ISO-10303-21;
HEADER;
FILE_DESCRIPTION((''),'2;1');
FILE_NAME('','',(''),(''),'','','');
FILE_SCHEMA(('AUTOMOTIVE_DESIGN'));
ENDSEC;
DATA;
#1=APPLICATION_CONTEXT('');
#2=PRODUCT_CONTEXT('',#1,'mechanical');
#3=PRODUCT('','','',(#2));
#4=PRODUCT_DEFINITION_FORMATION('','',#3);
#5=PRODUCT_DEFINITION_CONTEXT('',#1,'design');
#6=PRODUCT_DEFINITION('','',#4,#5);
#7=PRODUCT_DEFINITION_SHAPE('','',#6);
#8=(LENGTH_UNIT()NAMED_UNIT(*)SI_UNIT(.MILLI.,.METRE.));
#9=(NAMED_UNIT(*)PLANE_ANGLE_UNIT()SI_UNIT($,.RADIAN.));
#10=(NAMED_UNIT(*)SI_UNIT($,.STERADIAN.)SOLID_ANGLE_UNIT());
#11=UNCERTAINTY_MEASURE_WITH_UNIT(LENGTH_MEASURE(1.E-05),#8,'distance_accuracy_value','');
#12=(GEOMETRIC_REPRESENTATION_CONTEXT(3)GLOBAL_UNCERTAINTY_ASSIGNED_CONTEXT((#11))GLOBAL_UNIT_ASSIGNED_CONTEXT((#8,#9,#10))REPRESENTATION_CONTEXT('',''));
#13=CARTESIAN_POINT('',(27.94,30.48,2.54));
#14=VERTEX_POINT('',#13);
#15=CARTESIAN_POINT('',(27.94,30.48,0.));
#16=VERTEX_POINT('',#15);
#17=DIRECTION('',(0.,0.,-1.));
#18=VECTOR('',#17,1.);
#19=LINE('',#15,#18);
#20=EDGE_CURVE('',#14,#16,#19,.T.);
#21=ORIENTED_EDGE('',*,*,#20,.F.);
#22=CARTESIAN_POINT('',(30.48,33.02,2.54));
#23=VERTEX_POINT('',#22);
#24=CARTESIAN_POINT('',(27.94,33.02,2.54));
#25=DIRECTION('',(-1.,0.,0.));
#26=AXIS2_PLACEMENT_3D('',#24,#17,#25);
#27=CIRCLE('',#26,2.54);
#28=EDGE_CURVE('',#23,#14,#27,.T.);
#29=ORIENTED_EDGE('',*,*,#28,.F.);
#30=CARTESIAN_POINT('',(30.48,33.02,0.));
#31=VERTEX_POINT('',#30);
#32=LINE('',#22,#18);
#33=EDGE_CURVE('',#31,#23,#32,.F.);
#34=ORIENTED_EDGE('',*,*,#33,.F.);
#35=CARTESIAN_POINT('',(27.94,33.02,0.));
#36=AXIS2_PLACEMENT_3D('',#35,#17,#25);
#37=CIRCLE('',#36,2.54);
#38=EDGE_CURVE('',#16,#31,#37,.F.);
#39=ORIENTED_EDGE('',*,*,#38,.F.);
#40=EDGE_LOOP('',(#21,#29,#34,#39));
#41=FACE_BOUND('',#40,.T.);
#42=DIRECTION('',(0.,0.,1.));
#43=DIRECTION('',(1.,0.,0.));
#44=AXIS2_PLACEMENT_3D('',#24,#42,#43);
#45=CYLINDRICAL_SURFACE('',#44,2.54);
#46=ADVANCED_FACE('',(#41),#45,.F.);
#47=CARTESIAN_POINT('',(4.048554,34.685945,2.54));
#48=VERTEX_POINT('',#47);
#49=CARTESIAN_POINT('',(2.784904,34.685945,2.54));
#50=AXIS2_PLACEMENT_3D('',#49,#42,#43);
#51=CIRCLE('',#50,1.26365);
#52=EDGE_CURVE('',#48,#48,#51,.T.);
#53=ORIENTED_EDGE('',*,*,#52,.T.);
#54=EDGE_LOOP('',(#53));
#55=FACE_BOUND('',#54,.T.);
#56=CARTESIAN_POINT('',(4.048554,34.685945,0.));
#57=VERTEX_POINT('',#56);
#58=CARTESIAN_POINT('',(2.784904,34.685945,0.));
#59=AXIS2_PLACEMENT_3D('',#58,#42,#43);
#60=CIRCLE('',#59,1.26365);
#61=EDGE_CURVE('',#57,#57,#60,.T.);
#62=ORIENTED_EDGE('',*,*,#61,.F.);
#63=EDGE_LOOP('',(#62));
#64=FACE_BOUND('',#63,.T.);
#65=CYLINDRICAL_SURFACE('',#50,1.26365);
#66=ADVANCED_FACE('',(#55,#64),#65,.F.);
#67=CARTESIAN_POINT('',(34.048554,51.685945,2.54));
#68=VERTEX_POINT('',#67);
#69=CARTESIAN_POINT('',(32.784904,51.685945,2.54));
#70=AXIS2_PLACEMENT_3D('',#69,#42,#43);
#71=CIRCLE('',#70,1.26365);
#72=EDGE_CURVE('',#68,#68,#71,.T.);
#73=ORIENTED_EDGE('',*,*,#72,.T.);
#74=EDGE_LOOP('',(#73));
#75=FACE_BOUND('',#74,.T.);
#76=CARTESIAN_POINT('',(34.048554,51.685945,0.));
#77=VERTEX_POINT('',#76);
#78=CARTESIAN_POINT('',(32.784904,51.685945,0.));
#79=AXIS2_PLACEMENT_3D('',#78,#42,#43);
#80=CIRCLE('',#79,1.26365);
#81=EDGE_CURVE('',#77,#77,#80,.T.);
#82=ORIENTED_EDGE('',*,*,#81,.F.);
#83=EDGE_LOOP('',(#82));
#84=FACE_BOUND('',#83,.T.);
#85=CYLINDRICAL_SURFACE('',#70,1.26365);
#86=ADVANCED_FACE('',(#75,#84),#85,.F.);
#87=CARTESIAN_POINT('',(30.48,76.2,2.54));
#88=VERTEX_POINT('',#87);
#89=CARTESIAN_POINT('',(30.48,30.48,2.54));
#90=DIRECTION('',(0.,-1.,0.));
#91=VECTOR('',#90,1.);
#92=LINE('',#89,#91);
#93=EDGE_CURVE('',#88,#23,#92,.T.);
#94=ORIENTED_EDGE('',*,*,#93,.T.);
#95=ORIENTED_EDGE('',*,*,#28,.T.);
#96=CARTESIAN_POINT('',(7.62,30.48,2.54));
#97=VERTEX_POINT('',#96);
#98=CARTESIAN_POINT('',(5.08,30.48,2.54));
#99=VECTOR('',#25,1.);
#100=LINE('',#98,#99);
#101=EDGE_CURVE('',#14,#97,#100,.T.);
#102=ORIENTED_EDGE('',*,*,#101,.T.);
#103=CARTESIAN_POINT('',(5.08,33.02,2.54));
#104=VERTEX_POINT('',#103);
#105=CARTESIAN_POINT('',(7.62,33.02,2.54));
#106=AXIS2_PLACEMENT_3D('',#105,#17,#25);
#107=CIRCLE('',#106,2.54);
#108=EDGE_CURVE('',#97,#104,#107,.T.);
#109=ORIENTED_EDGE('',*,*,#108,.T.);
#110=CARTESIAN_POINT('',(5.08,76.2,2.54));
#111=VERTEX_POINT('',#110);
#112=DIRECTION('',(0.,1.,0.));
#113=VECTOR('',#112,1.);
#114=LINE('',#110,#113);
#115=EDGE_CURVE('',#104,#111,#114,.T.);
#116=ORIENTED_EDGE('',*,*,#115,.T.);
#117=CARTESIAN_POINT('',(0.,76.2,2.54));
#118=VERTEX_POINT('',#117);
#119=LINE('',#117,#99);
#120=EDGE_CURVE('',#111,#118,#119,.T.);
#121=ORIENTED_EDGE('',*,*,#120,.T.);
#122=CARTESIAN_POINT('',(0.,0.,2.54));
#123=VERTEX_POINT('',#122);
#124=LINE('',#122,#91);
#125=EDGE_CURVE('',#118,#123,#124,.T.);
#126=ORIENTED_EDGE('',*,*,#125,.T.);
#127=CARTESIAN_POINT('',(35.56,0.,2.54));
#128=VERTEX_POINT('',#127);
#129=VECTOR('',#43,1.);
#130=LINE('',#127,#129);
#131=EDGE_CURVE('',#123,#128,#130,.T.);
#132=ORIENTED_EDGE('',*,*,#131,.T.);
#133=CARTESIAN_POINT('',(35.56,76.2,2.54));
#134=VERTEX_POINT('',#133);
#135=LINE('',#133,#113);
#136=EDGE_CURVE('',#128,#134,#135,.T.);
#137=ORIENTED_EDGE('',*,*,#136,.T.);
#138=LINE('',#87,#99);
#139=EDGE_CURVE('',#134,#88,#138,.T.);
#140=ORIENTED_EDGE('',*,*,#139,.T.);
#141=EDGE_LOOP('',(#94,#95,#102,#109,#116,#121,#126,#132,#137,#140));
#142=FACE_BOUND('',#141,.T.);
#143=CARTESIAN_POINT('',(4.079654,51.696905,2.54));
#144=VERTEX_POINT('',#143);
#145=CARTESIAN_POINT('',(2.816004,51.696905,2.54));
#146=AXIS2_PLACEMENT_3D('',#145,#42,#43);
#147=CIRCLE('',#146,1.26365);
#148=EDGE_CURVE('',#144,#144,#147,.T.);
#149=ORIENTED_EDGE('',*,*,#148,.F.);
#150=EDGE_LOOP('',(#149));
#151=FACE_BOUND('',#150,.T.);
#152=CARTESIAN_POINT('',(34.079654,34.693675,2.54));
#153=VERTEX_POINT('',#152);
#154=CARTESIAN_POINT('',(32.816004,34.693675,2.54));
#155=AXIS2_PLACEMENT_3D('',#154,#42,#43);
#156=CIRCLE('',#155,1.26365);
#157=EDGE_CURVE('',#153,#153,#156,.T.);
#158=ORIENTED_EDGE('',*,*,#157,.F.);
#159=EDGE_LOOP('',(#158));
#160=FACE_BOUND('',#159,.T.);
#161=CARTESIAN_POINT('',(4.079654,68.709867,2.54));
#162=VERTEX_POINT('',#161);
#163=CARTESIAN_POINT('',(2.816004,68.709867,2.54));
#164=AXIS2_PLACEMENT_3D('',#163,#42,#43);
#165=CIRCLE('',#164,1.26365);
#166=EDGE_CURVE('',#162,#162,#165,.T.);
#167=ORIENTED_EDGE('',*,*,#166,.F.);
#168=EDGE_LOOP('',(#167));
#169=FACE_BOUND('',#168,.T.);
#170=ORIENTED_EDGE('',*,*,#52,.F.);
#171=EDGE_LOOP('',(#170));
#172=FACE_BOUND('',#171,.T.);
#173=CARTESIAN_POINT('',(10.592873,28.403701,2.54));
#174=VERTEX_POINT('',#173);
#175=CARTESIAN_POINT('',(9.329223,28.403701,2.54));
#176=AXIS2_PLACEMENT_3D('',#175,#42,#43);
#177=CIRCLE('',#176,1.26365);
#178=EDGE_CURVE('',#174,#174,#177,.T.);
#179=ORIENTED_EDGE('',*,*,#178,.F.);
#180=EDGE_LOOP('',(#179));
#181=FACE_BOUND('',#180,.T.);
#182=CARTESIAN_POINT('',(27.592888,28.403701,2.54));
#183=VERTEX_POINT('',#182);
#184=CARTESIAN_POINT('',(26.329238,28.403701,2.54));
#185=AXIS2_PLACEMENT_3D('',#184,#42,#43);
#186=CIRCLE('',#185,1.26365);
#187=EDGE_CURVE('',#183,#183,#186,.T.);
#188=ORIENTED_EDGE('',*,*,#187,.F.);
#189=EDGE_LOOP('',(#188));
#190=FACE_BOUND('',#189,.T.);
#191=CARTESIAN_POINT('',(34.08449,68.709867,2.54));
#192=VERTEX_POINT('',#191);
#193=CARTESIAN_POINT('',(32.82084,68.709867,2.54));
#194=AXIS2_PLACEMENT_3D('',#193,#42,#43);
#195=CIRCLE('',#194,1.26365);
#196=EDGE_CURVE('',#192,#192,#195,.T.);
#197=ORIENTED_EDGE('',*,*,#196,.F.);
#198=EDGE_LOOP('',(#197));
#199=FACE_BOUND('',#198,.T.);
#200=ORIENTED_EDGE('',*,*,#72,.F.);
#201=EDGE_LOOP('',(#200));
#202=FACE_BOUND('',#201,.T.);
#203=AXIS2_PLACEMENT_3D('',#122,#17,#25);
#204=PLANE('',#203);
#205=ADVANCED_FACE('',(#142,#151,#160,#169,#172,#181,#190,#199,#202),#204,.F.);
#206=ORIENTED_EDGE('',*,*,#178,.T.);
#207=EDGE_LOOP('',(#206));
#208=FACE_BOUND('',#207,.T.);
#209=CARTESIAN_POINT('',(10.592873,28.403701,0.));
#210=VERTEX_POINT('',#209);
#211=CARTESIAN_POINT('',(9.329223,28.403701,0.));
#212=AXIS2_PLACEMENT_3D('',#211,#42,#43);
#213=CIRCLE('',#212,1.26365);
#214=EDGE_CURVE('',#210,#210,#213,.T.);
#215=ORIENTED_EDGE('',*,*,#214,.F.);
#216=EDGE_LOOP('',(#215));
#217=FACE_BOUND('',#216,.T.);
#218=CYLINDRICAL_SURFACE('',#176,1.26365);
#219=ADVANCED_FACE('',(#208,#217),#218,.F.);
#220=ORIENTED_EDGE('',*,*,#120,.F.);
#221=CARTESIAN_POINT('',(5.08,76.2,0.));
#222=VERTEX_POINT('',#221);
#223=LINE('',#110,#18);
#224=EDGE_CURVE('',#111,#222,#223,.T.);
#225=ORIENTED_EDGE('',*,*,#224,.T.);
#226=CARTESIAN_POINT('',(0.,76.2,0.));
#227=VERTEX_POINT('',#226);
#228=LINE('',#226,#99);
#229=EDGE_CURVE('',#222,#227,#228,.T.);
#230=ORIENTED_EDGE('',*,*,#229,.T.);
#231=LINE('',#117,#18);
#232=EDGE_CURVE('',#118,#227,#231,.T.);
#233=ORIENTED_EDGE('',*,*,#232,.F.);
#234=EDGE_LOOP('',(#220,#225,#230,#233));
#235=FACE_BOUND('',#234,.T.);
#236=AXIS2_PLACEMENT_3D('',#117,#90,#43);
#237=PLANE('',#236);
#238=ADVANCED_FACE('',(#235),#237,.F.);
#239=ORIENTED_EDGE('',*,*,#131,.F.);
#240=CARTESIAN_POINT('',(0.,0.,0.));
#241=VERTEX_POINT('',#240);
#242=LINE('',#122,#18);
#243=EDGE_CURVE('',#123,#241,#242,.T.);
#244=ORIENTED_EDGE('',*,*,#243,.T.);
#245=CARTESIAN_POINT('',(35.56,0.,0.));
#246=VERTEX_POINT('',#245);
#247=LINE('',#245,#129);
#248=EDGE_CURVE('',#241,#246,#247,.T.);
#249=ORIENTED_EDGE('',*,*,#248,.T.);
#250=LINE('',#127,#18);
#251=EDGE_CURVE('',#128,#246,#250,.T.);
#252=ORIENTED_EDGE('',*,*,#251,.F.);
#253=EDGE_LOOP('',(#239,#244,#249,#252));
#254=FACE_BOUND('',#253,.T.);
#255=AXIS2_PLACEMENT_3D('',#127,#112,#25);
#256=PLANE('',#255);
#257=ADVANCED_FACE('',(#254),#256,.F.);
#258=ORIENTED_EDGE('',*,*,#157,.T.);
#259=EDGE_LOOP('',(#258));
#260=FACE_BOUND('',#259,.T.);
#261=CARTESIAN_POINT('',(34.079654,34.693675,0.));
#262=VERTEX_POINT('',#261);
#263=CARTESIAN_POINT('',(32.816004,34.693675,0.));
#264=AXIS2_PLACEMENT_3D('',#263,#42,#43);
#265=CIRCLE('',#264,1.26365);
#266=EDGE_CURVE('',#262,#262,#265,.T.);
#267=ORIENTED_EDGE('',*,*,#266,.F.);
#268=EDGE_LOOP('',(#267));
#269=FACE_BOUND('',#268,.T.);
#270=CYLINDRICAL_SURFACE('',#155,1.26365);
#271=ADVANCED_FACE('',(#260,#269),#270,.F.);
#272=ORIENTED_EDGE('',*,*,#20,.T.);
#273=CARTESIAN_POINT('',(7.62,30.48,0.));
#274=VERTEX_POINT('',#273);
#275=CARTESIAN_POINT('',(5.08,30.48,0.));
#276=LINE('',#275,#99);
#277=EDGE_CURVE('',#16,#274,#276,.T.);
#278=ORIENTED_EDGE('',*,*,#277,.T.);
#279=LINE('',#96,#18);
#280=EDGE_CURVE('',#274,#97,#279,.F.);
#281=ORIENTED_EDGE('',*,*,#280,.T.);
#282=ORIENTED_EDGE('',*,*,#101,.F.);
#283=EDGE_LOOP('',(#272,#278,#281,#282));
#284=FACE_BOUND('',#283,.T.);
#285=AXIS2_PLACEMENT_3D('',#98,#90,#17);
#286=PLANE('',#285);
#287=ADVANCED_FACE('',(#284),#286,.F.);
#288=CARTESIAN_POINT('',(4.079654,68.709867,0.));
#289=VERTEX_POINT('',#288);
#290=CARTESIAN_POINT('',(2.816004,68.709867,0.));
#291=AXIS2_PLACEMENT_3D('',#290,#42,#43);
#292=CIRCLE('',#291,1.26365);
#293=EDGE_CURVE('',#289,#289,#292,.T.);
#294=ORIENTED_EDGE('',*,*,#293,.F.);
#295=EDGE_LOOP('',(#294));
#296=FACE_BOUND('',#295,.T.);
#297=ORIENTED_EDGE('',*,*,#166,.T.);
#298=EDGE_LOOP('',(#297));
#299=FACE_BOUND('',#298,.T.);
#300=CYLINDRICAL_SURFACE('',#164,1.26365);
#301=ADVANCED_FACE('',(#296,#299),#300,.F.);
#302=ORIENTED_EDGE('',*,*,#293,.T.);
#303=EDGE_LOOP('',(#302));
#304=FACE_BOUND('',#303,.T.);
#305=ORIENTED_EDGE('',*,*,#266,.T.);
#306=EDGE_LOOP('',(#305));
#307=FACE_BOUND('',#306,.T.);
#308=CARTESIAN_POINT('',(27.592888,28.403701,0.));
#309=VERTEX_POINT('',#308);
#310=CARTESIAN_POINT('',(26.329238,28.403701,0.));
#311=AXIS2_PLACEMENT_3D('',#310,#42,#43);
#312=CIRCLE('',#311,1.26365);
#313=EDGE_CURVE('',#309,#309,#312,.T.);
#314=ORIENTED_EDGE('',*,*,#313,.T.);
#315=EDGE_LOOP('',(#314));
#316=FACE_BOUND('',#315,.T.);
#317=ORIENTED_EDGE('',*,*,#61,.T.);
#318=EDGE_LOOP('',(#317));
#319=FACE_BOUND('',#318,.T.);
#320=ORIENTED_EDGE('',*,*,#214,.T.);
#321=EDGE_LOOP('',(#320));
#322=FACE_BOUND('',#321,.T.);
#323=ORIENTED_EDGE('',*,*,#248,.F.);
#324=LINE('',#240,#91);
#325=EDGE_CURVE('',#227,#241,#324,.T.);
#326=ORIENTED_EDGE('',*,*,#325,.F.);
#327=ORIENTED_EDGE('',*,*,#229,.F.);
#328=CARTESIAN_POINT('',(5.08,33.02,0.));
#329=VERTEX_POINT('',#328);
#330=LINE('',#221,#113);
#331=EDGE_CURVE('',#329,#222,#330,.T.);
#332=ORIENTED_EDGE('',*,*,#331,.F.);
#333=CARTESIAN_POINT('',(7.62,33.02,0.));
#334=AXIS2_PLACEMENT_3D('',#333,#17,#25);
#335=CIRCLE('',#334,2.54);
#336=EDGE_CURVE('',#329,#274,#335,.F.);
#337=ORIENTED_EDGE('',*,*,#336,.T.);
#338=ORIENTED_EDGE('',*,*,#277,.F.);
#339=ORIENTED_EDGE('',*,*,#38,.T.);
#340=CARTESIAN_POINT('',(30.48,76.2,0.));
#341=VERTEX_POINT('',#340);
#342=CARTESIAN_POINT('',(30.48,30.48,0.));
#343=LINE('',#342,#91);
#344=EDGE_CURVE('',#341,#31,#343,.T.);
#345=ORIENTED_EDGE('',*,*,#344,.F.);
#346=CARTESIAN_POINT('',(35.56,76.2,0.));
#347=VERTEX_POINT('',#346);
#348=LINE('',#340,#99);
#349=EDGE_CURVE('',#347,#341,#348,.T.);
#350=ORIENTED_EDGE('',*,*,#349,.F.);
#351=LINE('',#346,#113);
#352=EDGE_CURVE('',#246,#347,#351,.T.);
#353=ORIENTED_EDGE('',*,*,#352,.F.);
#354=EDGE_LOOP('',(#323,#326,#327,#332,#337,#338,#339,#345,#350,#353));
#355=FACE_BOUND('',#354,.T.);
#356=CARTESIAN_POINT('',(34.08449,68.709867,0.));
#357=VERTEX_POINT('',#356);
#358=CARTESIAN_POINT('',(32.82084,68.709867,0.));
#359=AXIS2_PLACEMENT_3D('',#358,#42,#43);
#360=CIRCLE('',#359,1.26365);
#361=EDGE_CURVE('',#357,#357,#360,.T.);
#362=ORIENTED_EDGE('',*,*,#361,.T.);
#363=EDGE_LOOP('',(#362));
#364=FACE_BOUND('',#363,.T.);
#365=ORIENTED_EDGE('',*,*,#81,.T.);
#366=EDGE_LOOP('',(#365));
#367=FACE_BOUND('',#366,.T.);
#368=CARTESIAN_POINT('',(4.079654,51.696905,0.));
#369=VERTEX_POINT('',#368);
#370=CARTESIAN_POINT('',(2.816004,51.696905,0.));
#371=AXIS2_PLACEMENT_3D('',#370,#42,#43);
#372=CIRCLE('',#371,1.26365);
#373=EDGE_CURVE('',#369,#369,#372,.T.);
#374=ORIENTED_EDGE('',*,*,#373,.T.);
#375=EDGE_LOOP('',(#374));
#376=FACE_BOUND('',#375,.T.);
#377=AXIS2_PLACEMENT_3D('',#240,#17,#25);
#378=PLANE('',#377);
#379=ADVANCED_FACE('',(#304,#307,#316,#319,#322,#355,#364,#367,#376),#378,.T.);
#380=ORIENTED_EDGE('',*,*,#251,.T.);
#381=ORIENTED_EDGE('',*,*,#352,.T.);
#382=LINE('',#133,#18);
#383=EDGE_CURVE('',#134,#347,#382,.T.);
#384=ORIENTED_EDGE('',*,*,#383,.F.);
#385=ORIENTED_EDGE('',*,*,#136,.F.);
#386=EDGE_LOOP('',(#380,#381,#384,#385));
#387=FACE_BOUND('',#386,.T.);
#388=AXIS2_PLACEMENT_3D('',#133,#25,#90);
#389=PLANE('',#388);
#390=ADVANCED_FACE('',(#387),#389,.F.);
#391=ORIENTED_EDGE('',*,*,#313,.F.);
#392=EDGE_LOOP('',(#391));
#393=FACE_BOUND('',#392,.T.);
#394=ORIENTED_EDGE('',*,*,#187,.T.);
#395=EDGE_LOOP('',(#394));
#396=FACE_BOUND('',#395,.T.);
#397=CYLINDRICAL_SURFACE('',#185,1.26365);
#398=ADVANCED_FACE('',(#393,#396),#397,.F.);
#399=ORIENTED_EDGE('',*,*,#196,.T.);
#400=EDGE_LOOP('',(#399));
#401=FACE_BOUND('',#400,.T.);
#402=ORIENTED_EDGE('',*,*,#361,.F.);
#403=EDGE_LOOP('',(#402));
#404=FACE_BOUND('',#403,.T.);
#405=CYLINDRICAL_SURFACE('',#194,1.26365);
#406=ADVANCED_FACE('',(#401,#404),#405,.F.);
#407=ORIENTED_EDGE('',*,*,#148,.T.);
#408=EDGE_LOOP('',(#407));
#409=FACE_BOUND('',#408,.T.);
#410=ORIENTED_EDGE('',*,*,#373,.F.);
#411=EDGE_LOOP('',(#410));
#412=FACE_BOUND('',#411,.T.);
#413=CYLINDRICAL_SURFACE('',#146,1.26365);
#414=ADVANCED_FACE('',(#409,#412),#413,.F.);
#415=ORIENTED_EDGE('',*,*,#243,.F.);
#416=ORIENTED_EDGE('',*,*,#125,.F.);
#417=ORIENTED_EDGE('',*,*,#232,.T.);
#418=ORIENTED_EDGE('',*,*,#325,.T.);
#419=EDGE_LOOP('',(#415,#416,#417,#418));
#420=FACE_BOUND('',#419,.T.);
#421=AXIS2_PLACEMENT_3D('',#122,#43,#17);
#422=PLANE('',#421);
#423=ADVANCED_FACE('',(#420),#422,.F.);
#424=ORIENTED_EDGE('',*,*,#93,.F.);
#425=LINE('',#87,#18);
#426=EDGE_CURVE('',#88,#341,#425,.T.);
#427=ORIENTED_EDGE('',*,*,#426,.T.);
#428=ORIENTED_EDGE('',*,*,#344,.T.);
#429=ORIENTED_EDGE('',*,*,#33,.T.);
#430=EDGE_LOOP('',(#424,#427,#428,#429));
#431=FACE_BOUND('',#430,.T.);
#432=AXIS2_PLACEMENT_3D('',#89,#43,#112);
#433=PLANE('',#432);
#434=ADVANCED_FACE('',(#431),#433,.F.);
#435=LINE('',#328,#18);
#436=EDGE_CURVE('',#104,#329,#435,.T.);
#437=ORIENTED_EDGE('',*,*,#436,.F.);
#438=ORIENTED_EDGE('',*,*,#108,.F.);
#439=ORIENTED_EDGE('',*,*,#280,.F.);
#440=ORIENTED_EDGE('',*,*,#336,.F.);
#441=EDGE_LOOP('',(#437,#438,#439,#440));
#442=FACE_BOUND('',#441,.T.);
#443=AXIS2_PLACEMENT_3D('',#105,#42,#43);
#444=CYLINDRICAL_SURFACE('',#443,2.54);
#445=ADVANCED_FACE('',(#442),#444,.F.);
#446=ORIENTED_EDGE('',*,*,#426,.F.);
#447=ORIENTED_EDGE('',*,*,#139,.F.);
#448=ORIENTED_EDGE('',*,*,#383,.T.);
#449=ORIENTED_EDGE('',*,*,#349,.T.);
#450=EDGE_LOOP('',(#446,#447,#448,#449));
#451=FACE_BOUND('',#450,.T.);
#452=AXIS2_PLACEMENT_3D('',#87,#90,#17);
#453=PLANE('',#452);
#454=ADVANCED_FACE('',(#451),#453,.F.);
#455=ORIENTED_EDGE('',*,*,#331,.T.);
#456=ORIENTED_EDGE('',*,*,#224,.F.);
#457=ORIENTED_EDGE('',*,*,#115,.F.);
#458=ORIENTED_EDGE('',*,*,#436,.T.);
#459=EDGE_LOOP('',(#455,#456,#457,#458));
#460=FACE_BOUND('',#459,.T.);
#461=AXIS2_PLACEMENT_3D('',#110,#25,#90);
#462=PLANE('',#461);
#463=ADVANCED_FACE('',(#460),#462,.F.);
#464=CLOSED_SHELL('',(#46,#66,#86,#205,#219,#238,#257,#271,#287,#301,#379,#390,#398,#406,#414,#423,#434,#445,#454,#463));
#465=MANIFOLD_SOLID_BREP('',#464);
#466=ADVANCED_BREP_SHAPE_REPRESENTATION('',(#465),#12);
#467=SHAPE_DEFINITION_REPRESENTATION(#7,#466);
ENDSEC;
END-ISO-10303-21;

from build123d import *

# Parameters (mm, degrees)
BOSS_EXTRUDE1_DEPTH          = 2.54
FILLET1_R                    = 2.54
F_39_0_0995_DIAMETER_HOLE1_D = 2.5273


with BuildPart() as part:
    # Sketch1 → Boss-Extrude1 (new body)
    with BuildSketch(Plane.XY):
        Polygon((0, 0), (0, 76.2), (5.08, 76.2), (5.08, 30.48), (30.48, 30.48), (30.48, 76.2), (35.56, 76.2), (35.56, 0), align=None)
    extrude(amount=BOSS_EXTRUDE1_DEPTH)

    # Fillet1
    fillet1_edges = [part.edges().sort_by_distance(p)[0] for p in [
        (5.08, 30.48, 1.27),
        (30.48, 30.48, 1.27),
    ]]
    fillet(fillet1_edges, radius=FILLET1_R)

    # #39 (0.0995) Diameter Hole1 (through all)
    with Locations(Plane.XY.offset(2.54)):
        with Locations((32.820840104, 68.709866644), (32.784904498, 51.685945396), (32.816003505, 34.693675088), (26.329237865, 28.403700876), (9.329223304, 28.403700876), (2.784904498, 34.68594536), (2.816003505, 51.696905496), (2.816003505, 68.709866644)):
            Hole(F_39_0_0995_DIAMETER_HOLE1_D / 2)


solid = part.part
